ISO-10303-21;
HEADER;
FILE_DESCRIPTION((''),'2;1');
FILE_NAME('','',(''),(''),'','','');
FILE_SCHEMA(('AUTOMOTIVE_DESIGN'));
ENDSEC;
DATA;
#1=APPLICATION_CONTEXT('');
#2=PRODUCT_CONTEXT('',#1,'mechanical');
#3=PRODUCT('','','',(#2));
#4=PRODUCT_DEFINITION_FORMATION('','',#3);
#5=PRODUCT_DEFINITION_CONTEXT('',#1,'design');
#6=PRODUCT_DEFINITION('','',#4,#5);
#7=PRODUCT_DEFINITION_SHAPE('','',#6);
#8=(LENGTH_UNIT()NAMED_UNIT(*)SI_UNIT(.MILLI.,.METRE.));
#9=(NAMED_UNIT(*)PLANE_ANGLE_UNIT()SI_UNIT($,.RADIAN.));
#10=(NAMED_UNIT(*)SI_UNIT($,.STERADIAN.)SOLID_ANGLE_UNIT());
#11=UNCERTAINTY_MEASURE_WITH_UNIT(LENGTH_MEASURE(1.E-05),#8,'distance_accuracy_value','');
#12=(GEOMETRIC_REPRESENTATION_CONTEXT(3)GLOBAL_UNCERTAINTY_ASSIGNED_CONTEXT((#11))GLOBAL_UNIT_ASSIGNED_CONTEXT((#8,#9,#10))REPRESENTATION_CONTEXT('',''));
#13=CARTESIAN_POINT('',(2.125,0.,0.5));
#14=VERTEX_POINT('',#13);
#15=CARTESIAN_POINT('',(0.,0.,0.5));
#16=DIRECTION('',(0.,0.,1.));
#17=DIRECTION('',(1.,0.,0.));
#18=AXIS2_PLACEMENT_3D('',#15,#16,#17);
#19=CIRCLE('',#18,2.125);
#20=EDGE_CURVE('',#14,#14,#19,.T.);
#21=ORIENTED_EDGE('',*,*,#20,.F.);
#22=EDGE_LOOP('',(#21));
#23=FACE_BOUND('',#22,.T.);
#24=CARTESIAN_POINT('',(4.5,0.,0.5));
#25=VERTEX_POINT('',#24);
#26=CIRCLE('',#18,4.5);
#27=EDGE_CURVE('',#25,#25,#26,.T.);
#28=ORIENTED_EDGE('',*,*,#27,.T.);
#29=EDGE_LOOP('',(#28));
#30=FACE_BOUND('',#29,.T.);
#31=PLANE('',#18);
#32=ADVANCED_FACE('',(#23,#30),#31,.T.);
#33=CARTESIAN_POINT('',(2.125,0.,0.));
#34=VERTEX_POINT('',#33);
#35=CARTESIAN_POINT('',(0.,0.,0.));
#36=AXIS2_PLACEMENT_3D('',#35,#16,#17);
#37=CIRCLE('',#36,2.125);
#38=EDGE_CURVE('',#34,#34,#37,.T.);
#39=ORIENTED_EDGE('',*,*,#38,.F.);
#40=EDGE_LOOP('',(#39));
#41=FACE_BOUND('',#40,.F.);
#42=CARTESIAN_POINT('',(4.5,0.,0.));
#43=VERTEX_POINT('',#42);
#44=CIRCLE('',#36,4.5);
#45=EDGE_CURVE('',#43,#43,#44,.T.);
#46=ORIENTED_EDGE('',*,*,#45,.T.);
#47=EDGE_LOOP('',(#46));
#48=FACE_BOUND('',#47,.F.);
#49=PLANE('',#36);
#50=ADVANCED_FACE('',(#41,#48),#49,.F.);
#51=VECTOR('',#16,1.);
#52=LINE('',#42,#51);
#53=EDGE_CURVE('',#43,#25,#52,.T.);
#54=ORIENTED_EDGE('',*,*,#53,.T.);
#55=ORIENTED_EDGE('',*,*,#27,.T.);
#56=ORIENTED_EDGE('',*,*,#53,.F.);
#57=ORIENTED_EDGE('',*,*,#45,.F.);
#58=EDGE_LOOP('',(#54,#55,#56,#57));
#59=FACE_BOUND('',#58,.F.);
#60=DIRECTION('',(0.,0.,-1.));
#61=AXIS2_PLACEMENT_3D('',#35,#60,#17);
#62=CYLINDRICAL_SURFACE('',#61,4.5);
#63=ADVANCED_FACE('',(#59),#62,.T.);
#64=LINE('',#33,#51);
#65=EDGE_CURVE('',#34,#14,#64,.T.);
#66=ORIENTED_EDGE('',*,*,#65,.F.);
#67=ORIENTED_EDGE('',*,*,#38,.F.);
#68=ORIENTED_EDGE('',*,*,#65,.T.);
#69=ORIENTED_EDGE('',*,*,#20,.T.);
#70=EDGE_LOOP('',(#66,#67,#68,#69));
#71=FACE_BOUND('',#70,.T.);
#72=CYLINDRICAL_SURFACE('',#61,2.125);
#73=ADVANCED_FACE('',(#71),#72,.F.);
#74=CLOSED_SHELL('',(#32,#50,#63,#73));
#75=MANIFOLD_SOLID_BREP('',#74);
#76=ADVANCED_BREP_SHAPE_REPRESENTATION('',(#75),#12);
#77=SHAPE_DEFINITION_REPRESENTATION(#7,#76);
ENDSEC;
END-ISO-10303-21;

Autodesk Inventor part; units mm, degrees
ref_plane "YZ Plane" through (0, 0, 0) normal (1, 0, 0) x (0, 1, 0)
ref_plane "XZ Plane" through (0, 0, 0) normal (0, 1, 0) x (-1, 0, 0)
ref_plane "XY Plane" through (0, 0, 0) normal (0, 0, 1) x (1, 0, 0)
sketch "スケッチ1" plane through (0, 0, 0) normal (0, 0, 1) x (1, 0, 0)
  circle A0 centre (0, 0) radius 2.125
  circle A1 centre (0, 0) radius 4.5
  dimension "d0" = 4.25
  dimension "d1" = 9
extrude "押し出し1" add sketch "スケッチ1" along normal blind 0.5
properties part number "TT-0409-051" material "열가소성 수지"
